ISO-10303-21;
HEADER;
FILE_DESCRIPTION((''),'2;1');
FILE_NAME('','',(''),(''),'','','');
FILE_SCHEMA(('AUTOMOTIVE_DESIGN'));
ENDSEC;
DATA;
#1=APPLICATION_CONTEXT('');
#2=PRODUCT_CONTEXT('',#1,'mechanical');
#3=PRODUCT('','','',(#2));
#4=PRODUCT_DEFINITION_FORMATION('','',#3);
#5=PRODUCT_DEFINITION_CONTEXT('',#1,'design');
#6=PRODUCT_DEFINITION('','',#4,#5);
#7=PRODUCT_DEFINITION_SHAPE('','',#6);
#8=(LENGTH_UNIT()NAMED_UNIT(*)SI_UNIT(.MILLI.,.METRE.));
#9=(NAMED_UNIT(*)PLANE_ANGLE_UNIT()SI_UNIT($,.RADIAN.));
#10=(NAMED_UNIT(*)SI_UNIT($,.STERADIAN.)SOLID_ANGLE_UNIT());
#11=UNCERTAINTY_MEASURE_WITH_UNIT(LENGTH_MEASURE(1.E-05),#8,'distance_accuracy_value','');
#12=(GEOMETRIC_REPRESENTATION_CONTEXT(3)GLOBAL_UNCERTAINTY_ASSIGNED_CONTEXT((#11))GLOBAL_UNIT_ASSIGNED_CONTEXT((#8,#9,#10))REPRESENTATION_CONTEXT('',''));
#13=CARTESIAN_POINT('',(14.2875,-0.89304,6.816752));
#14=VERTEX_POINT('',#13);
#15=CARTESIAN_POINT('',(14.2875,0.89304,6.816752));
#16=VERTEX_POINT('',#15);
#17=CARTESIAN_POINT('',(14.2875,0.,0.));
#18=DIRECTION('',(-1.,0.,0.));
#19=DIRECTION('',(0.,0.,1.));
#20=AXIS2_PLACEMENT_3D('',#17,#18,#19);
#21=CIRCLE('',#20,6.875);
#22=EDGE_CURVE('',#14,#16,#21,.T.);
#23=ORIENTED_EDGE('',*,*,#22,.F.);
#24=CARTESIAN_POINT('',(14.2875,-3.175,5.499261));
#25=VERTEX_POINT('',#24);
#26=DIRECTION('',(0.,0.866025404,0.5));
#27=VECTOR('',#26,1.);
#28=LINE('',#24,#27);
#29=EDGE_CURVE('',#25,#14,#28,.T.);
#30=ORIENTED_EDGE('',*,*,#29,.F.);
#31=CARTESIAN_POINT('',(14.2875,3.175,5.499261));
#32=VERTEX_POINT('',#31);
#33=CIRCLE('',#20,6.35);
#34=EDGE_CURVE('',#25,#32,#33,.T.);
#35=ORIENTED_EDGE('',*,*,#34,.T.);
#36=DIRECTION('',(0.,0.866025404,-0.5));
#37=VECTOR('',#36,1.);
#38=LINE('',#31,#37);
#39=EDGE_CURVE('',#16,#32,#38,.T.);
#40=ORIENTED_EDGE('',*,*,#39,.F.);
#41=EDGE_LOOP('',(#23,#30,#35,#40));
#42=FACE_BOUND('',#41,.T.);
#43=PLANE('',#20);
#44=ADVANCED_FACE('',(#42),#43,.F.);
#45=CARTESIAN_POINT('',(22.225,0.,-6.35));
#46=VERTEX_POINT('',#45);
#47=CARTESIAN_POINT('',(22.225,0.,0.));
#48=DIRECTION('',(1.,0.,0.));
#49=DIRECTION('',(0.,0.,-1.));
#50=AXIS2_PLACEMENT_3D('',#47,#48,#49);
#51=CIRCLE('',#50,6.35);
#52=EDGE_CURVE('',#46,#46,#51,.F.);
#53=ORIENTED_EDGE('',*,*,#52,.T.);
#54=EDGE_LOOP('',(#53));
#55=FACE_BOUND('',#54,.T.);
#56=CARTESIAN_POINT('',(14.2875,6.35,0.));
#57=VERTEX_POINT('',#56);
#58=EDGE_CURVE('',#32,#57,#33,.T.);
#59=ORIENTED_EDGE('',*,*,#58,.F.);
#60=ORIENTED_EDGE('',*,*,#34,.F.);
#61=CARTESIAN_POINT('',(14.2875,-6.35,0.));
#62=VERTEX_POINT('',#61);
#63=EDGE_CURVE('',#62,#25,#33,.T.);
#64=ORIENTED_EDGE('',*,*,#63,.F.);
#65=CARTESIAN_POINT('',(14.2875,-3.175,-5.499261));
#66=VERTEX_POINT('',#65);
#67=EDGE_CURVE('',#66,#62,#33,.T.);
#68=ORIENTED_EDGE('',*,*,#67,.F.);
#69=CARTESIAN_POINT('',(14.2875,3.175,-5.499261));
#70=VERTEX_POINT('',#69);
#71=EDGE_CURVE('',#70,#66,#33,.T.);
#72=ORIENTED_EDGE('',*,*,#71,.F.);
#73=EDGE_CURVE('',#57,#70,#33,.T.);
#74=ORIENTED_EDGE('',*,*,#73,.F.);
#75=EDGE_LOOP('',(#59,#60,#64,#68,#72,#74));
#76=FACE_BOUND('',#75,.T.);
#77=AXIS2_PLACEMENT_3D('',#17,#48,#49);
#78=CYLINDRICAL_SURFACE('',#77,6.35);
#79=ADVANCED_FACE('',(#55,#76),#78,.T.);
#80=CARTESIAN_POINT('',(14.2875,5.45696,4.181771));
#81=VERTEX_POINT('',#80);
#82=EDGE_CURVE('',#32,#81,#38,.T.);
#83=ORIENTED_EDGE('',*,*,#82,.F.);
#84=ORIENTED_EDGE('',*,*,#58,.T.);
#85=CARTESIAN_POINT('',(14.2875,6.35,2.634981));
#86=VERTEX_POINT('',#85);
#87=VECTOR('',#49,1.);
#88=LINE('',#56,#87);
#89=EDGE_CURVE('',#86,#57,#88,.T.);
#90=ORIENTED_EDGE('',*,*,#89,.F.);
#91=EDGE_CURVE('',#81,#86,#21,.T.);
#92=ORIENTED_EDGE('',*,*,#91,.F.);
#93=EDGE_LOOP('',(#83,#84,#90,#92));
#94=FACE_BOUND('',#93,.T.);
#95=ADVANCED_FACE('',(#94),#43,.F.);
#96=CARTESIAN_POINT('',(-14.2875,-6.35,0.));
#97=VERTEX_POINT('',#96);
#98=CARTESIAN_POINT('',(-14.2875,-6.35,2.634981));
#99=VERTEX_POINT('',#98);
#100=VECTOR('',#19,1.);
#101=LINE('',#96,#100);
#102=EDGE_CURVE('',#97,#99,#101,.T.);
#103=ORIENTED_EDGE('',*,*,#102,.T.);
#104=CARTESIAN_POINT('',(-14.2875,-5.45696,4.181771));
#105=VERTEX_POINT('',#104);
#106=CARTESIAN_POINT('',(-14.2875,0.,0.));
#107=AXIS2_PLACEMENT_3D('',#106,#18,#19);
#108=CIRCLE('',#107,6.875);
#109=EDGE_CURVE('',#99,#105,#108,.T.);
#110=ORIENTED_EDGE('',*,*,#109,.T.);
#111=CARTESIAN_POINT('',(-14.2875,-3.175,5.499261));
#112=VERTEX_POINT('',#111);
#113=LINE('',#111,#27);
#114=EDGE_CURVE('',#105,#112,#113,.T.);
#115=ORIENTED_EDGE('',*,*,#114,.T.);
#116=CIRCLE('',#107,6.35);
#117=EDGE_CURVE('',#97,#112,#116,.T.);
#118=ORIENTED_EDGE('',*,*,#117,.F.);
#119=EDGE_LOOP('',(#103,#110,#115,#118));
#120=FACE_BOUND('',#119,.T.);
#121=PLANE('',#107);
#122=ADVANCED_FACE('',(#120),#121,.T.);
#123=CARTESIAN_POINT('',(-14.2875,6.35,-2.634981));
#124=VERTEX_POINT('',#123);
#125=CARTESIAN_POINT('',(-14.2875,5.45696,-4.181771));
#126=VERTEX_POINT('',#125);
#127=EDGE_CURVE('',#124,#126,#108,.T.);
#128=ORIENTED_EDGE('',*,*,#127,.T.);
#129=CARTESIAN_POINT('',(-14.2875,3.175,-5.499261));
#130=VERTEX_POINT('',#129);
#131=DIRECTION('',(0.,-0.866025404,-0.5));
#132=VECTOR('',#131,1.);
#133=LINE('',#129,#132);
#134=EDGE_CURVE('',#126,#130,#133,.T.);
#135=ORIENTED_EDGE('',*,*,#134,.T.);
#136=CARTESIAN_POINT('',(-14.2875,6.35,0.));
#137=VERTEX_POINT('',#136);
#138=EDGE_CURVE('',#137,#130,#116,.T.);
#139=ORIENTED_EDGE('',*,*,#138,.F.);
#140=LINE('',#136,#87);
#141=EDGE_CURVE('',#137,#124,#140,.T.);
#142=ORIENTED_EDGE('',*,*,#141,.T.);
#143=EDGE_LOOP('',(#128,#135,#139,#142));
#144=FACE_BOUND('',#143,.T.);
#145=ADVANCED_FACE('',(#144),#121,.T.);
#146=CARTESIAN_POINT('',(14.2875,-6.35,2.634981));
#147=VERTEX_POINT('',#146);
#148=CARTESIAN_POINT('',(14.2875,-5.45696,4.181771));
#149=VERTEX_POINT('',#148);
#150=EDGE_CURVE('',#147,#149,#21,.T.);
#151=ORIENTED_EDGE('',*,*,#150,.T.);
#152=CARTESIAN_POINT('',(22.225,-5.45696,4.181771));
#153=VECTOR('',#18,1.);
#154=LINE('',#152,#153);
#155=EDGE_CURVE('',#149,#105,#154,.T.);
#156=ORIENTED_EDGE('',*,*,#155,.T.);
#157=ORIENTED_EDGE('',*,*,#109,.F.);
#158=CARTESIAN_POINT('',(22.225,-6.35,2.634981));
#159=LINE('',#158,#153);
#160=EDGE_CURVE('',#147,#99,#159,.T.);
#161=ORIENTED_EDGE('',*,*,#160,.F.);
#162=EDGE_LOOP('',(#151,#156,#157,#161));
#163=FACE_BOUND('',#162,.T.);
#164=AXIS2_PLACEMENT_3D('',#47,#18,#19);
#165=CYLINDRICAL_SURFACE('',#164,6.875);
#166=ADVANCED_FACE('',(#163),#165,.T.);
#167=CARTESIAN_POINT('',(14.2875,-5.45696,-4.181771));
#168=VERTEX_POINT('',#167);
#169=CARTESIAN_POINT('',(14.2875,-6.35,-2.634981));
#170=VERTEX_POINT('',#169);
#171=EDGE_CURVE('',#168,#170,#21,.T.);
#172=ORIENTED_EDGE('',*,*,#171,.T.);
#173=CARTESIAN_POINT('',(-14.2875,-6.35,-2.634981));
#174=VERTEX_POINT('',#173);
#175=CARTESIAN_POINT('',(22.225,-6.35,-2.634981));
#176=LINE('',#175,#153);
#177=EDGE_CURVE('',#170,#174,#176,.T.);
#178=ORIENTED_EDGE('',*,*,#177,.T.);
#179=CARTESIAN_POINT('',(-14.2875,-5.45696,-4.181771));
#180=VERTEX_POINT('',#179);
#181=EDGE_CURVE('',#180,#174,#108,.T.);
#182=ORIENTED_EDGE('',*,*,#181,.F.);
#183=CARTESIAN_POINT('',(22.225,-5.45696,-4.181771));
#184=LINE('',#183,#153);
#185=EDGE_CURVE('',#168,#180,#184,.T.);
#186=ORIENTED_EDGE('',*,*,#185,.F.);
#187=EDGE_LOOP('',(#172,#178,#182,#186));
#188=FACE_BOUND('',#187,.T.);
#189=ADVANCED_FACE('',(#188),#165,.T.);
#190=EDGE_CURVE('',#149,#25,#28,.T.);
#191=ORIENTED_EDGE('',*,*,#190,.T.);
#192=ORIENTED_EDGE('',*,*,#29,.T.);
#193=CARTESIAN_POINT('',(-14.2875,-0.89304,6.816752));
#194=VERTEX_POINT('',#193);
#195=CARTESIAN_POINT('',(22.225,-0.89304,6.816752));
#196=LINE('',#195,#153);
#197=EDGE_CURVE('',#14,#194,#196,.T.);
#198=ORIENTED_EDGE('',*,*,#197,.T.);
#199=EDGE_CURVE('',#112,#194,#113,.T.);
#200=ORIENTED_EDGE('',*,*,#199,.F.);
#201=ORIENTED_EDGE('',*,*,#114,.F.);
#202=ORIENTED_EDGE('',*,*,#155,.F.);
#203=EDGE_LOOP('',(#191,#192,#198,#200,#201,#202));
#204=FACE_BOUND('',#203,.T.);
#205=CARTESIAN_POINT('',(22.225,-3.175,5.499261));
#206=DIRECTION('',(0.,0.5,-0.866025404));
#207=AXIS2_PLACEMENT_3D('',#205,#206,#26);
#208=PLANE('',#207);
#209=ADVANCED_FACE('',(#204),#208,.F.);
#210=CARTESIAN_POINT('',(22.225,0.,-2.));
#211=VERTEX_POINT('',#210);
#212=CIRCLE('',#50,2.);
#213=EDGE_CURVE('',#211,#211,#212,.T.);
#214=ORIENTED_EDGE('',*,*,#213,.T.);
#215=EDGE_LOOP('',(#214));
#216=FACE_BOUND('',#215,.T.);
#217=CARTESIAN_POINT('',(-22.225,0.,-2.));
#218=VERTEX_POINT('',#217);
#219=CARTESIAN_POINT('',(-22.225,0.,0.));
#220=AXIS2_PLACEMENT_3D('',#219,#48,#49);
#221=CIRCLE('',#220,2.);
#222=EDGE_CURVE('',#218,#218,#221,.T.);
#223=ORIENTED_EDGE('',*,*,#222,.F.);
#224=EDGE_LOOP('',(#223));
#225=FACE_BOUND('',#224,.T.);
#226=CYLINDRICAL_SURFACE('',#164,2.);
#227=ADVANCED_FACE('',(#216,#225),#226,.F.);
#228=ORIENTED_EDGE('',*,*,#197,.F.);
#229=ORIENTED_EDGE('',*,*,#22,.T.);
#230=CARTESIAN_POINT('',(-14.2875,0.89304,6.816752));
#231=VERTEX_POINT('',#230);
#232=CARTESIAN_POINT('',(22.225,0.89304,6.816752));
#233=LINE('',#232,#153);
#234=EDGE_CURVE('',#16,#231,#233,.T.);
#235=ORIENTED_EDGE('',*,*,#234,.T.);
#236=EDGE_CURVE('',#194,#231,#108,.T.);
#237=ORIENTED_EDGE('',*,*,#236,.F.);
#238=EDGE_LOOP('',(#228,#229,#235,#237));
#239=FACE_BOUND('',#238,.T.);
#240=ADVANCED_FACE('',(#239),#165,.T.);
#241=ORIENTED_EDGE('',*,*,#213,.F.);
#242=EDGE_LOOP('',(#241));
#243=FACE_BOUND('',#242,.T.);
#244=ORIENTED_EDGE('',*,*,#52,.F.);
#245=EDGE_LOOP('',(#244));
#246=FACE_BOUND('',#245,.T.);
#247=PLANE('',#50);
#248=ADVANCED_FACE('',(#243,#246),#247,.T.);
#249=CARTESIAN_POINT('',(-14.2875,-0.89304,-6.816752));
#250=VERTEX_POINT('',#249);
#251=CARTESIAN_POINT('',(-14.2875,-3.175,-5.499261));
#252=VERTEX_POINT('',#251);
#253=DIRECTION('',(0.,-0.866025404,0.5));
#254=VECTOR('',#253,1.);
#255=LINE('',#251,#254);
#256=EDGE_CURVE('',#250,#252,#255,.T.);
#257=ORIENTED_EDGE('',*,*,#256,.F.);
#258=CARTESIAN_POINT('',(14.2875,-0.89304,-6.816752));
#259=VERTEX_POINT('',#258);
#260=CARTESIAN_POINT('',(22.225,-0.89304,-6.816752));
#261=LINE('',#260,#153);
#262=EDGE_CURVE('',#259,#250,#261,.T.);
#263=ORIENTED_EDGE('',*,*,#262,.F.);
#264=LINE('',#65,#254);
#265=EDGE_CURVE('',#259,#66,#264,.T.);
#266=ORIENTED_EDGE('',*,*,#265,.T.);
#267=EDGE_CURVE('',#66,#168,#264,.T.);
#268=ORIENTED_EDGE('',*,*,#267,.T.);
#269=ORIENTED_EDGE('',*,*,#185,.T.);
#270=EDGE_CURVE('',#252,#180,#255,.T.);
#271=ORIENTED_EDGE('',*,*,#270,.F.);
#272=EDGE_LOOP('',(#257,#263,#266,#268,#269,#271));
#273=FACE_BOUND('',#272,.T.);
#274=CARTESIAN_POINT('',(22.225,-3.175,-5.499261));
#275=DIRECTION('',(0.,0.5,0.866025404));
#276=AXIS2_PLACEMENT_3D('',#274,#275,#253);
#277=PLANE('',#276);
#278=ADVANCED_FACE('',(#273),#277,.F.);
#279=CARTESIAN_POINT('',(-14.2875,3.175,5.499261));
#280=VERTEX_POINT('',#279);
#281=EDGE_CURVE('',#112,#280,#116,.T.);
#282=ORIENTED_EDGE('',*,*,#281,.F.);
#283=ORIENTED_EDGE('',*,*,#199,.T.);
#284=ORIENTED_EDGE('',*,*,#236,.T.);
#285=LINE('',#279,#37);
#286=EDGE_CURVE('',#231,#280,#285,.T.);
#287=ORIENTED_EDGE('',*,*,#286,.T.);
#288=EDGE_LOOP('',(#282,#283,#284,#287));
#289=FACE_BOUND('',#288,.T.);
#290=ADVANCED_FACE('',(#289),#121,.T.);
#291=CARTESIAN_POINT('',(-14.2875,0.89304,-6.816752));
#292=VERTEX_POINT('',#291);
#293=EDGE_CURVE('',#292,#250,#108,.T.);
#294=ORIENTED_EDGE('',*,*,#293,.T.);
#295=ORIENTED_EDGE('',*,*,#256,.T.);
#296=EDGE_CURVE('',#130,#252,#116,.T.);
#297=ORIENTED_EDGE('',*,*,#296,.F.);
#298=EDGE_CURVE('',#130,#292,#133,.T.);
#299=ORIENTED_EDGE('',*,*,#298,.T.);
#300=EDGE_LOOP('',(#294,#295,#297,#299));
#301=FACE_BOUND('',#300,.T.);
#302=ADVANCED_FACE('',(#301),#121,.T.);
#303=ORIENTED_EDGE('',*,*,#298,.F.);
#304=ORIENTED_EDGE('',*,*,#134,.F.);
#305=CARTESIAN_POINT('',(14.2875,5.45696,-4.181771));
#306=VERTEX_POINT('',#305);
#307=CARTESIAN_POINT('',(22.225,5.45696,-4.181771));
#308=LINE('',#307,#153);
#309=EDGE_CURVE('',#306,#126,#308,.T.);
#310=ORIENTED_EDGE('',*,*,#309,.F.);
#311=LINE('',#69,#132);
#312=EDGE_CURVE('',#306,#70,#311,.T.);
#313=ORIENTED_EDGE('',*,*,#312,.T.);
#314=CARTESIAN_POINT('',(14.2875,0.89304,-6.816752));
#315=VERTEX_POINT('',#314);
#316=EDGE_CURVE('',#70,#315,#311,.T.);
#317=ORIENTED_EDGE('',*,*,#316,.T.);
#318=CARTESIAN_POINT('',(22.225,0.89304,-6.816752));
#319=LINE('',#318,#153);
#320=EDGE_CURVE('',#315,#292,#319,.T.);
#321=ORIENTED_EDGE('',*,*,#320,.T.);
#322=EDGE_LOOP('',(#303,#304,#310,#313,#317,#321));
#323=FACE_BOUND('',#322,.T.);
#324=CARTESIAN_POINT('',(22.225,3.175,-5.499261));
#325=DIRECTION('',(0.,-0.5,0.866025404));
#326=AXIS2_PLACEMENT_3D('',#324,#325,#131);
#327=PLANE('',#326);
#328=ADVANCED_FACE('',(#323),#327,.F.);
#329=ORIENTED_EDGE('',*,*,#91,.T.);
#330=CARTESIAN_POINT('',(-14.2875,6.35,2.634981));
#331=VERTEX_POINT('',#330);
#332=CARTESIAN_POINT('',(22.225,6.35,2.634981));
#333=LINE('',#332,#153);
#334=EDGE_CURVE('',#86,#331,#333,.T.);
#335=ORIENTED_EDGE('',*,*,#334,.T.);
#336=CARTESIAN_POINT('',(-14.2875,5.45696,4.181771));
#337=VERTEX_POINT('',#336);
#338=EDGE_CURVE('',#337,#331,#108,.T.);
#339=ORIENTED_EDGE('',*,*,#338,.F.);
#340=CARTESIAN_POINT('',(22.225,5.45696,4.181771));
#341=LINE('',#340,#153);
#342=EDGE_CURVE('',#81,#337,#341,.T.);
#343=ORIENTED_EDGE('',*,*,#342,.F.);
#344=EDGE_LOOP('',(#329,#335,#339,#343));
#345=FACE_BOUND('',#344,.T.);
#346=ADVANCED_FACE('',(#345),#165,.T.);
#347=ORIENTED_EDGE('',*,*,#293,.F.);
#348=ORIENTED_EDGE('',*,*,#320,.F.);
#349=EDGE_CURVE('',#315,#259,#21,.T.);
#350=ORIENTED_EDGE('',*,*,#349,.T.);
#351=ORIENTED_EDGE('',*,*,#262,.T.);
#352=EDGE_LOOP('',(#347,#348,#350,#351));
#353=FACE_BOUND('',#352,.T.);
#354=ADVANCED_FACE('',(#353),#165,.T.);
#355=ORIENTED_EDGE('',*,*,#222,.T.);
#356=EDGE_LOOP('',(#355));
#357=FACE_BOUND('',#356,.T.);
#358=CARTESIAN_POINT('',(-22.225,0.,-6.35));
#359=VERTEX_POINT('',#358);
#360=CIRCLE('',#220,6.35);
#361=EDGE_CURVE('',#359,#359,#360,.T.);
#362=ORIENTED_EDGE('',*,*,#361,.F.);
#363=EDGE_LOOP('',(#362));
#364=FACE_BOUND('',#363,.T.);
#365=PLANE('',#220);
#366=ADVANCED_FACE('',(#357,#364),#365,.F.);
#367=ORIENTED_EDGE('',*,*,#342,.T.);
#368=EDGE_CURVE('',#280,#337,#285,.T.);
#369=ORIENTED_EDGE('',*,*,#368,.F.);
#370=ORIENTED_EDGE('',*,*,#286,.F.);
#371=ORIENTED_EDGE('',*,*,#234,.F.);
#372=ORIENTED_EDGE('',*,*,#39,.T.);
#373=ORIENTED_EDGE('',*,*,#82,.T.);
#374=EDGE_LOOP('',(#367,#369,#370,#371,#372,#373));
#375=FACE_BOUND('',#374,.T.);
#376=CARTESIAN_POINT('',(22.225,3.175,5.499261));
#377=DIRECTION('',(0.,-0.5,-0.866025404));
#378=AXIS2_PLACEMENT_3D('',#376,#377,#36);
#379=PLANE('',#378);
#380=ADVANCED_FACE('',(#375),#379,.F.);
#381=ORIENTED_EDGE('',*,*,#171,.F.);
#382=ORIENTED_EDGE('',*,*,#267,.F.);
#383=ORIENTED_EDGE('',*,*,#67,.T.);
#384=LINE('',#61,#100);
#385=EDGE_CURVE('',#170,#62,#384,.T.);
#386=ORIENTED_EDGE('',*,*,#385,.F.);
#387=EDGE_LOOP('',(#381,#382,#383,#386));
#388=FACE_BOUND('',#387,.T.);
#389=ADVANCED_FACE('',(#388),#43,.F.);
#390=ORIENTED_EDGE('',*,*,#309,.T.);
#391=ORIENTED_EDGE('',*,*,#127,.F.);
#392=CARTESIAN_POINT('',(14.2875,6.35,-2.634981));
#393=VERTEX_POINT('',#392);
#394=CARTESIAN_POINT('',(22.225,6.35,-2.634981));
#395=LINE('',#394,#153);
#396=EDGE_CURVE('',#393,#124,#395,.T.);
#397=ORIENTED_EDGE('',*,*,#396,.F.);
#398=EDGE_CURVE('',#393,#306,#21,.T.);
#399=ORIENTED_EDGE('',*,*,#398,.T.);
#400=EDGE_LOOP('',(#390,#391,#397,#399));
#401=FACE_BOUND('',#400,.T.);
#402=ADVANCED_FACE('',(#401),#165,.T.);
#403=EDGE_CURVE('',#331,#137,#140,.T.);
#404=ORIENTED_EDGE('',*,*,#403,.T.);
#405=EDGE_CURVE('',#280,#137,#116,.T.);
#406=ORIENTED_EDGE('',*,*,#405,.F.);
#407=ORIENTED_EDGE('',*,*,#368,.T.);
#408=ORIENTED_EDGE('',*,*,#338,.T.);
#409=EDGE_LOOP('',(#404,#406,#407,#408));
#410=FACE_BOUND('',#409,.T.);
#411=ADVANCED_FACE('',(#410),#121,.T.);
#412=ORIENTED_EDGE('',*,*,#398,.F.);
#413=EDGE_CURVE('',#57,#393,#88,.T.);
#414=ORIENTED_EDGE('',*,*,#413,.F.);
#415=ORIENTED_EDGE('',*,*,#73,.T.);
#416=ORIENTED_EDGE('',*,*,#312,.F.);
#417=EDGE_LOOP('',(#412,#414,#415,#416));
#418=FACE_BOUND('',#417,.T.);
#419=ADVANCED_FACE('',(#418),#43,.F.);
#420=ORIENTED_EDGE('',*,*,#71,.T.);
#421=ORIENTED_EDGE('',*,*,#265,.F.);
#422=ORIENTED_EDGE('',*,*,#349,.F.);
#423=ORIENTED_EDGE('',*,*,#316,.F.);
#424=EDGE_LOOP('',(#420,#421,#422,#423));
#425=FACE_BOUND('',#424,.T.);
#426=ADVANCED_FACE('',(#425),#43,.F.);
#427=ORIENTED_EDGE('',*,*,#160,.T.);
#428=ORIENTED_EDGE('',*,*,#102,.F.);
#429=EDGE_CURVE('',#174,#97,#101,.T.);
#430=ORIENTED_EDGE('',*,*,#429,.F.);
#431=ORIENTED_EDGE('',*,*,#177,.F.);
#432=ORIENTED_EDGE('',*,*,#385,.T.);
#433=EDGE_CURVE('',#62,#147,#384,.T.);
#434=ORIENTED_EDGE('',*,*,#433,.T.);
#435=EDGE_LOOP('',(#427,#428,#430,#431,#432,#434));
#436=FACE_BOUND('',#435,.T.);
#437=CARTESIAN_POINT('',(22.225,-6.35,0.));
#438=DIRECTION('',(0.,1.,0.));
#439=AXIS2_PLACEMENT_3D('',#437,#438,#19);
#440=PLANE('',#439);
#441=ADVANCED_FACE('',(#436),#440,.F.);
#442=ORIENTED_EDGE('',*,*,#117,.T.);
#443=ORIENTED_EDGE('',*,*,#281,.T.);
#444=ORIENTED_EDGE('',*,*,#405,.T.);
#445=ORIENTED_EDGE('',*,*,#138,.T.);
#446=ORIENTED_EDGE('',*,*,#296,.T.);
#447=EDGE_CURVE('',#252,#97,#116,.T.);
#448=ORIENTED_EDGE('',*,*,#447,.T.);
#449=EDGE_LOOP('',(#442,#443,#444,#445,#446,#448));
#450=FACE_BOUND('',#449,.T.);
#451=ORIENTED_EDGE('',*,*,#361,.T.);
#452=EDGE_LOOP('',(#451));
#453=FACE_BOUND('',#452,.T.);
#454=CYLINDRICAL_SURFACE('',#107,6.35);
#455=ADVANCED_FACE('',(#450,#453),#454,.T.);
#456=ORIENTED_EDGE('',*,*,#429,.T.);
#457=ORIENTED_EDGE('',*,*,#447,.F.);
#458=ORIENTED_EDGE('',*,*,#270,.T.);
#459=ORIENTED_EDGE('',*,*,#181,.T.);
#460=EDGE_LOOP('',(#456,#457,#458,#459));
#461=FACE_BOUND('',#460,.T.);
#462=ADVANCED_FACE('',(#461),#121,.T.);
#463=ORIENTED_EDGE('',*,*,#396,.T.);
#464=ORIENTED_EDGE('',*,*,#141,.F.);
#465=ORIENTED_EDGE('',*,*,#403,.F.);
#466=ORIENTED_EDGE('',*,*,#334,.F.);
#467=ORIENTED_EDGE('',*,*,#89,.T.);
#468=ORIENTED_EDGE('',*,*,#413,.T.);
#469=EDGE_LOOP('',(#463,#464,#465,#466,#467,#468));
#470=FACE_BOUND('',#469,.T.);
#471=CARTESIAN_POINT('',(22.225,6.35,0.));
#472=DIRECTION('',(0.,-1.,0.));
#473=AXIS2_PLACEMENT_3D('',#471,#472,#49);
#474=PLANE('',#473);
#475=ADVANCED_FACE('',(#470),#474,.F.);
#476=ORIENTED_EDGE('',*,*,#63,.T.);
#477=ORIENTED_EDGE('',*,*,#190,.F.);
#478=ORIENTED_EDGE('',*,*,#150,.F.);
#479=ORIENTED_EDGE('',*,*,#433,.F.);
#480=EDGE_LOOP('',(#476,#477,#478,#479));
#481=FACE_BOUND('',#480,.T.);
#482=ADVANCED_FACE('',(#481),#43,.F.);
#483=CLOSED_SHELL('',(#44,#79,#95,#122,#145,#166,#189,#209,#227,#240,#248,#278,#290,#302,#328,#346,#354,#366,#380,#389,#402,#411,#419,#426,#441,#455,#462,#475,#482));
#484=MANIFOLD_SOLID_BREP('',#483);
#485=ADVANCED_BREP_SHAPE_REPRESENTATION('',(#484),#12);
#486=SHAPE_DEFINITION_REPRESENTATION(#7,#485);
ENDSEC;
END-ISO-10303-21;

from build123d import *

# Parameters (mm, degrees)
SKETCH1_R               = 2.000000064
BOSS_EXTRUDE1_DEPTH     = 22.225
SKETCH4_R               = 8.89
SKETCH4_R_2             = 6.35
CUT_EXTRUDE_THIN1_DEPTH = 7.9375


with BuildPart() as part:
    # Sketch1 → Boss-Extrude1 (new, symmetric)
    with BuildSketch(Plane(origin=(0, 0, 0), x_dir=(0, 0, -1), z_dir=(1, 0, 0))):
        with BuildLine():
            ThreePointArc((6.874999966, 0), (6.860422465, 0.447468582), (6.816751782, 0.893039571))
            Line((6.816751782, 0.893039571), (4.181770846, 5.456960429))
            ThreePointArc((4.181770846, 5.456960429), (3.437499983, 5.953924622), (2.634980936, 6.35))
            Line((2.634980936, 6.35), (-2.634980936, 6.35))
            ThreePointArc((-2.634980936, 6.35), (-3.437499983, 5.953924622), (-4.181770846, 5.456960429))
            Line((-4.181770846, 5.456960429), (-6.816751782, 0.893039571))
            ThreePointArc((-6.816751782, 0.893039571), (-6.874999966, 0), (-6.816751782, -0.893039571))
            Line((-6.816751782, -0.893039571), (-4.181770846, -5.456960429))
            ThreePointArc((-4.181770846, -5.456960429), (-3.437499983, -5.953924622), (-2.634980936, -6.35))
            Line((-2.634980936, -6.35), (2.634980936, -6.35))
            ThreePointArc((2.634980936, -6.35), (3.437499983, -5.953924622), (4.181770846, -5.456960429))
            Line((4.181770846, -5.456960429), (6.816751782, -0.893039571))
            ThreePointArc((6.816751782, -0.893039571), (6.860422465, -0.447468582), (6.874999966, 0))
        make_face()
        Circle(SKETCH1_R, mode=Mode.SUBTRACT)
    extrude(amount=BOSS_EXTRUDE1_DEPTH, both=True)

    # Sketch4 → Cut-Extrude-Thin1 (cut)
    with BuildSketch(Plane.ZY.offset(22.225)):
        Circle(SKETCH4_R)
        Circle(SKETCH4_R_2, mode=Mode.SUBTRACT)
    cut_extrude_thin1 = extrude(amount=-CUT_EXTRUDE_THIN1_DEPTH, mode=Mode.SUBTRACT)

    # Mirror1: Cut-Extrude-Thin1 across plane
    add(cut_extrude_thin1.mirror(Plane.ZY), mode=Mode.SUBTRACT)


solid = part.part
